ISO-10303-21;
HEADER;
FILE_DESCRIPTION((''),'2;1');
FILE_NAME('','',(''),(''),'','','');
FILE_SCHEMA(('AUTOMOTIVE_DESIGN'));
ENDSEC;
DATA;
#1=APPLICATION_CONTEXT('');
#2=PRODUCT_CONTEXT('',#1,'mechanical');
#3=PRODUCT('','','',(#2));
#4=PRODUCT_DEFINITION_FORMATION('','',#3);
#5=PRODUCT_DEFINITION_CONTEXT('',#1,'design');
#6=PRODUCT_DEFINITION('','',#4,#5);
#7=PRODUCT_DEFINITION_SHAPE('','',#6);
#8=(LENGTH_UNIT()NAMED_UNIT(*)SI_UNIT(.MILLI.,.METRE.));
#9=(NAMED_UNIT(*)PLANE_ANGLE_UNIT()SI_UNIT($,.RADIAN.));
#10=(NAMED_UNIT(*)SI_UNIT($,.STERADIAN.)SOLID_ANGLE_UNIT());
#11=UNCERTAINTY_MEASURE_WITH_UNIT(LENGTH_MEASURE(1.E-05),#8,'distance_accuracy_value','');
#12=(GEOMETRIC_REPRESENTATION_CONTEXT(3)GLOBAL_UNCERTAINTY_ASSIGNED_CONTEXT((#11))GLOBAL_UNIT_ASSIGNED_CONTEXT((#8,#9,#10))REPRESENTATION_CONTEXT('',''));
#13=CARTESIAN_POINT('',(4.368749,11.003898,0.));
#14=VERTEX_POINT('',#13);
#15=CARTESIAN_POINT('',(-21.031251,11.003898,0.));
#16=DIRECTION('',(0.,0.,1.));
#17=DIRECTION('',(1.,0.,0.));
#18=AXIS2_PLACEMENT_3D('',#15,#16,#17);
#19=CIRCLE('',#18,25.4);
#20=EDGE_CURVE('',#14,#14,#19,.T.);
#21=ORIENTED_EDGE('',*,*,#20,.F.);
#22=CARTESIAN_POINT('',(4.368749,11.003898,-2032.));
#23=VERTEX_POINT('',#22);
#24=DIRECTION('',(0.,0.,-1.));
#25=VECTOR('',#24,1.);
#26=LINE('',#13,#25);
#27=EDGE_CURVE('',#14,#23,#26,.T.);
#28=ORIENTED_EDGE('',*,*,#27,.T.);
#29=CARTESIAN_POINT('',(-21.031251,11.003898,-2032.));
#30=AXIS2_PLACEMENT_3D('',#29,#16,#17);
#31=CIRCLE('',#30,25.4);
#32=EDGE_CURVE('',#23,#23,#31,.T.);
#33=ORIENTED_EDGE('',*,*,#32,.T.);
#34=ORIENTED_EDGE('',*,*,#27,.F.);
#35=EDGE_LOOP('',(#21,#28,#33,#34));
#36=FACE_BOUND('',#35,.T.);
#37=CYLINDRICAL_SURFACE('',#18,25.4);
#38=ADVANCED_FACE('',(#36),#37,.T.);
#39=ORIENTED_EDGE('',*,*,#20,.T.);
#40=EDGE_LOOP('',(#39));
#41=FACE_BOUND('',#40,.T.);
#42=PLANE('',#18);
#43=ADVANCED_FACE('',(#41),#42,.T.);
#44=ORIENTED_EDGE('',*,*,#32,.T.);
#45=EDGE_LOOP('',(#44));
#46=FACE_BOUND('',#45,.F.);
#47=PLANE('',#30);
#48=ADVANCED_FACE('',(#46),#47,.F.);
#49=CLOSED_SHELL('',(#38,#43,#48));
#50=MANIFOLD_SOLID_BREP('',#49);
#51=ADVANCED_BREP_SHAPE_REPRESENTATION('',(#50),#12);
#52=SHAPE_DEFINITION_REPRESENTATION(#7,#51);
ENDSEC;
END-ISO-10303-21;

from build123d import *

# Parameters (mm, degrees)
F0_R     = 25.4
F1_DEPTH = 2032


with BuildPart() as f1:
    # F0 (on Top) → F1 (new body)
    with BuildSketch(Plane.XY):
        with Locations((-21.031251, 11.003898)):
            Circle(F0_R)
    extrude(amount=-F1_DEPTH)


solid = f1.part
